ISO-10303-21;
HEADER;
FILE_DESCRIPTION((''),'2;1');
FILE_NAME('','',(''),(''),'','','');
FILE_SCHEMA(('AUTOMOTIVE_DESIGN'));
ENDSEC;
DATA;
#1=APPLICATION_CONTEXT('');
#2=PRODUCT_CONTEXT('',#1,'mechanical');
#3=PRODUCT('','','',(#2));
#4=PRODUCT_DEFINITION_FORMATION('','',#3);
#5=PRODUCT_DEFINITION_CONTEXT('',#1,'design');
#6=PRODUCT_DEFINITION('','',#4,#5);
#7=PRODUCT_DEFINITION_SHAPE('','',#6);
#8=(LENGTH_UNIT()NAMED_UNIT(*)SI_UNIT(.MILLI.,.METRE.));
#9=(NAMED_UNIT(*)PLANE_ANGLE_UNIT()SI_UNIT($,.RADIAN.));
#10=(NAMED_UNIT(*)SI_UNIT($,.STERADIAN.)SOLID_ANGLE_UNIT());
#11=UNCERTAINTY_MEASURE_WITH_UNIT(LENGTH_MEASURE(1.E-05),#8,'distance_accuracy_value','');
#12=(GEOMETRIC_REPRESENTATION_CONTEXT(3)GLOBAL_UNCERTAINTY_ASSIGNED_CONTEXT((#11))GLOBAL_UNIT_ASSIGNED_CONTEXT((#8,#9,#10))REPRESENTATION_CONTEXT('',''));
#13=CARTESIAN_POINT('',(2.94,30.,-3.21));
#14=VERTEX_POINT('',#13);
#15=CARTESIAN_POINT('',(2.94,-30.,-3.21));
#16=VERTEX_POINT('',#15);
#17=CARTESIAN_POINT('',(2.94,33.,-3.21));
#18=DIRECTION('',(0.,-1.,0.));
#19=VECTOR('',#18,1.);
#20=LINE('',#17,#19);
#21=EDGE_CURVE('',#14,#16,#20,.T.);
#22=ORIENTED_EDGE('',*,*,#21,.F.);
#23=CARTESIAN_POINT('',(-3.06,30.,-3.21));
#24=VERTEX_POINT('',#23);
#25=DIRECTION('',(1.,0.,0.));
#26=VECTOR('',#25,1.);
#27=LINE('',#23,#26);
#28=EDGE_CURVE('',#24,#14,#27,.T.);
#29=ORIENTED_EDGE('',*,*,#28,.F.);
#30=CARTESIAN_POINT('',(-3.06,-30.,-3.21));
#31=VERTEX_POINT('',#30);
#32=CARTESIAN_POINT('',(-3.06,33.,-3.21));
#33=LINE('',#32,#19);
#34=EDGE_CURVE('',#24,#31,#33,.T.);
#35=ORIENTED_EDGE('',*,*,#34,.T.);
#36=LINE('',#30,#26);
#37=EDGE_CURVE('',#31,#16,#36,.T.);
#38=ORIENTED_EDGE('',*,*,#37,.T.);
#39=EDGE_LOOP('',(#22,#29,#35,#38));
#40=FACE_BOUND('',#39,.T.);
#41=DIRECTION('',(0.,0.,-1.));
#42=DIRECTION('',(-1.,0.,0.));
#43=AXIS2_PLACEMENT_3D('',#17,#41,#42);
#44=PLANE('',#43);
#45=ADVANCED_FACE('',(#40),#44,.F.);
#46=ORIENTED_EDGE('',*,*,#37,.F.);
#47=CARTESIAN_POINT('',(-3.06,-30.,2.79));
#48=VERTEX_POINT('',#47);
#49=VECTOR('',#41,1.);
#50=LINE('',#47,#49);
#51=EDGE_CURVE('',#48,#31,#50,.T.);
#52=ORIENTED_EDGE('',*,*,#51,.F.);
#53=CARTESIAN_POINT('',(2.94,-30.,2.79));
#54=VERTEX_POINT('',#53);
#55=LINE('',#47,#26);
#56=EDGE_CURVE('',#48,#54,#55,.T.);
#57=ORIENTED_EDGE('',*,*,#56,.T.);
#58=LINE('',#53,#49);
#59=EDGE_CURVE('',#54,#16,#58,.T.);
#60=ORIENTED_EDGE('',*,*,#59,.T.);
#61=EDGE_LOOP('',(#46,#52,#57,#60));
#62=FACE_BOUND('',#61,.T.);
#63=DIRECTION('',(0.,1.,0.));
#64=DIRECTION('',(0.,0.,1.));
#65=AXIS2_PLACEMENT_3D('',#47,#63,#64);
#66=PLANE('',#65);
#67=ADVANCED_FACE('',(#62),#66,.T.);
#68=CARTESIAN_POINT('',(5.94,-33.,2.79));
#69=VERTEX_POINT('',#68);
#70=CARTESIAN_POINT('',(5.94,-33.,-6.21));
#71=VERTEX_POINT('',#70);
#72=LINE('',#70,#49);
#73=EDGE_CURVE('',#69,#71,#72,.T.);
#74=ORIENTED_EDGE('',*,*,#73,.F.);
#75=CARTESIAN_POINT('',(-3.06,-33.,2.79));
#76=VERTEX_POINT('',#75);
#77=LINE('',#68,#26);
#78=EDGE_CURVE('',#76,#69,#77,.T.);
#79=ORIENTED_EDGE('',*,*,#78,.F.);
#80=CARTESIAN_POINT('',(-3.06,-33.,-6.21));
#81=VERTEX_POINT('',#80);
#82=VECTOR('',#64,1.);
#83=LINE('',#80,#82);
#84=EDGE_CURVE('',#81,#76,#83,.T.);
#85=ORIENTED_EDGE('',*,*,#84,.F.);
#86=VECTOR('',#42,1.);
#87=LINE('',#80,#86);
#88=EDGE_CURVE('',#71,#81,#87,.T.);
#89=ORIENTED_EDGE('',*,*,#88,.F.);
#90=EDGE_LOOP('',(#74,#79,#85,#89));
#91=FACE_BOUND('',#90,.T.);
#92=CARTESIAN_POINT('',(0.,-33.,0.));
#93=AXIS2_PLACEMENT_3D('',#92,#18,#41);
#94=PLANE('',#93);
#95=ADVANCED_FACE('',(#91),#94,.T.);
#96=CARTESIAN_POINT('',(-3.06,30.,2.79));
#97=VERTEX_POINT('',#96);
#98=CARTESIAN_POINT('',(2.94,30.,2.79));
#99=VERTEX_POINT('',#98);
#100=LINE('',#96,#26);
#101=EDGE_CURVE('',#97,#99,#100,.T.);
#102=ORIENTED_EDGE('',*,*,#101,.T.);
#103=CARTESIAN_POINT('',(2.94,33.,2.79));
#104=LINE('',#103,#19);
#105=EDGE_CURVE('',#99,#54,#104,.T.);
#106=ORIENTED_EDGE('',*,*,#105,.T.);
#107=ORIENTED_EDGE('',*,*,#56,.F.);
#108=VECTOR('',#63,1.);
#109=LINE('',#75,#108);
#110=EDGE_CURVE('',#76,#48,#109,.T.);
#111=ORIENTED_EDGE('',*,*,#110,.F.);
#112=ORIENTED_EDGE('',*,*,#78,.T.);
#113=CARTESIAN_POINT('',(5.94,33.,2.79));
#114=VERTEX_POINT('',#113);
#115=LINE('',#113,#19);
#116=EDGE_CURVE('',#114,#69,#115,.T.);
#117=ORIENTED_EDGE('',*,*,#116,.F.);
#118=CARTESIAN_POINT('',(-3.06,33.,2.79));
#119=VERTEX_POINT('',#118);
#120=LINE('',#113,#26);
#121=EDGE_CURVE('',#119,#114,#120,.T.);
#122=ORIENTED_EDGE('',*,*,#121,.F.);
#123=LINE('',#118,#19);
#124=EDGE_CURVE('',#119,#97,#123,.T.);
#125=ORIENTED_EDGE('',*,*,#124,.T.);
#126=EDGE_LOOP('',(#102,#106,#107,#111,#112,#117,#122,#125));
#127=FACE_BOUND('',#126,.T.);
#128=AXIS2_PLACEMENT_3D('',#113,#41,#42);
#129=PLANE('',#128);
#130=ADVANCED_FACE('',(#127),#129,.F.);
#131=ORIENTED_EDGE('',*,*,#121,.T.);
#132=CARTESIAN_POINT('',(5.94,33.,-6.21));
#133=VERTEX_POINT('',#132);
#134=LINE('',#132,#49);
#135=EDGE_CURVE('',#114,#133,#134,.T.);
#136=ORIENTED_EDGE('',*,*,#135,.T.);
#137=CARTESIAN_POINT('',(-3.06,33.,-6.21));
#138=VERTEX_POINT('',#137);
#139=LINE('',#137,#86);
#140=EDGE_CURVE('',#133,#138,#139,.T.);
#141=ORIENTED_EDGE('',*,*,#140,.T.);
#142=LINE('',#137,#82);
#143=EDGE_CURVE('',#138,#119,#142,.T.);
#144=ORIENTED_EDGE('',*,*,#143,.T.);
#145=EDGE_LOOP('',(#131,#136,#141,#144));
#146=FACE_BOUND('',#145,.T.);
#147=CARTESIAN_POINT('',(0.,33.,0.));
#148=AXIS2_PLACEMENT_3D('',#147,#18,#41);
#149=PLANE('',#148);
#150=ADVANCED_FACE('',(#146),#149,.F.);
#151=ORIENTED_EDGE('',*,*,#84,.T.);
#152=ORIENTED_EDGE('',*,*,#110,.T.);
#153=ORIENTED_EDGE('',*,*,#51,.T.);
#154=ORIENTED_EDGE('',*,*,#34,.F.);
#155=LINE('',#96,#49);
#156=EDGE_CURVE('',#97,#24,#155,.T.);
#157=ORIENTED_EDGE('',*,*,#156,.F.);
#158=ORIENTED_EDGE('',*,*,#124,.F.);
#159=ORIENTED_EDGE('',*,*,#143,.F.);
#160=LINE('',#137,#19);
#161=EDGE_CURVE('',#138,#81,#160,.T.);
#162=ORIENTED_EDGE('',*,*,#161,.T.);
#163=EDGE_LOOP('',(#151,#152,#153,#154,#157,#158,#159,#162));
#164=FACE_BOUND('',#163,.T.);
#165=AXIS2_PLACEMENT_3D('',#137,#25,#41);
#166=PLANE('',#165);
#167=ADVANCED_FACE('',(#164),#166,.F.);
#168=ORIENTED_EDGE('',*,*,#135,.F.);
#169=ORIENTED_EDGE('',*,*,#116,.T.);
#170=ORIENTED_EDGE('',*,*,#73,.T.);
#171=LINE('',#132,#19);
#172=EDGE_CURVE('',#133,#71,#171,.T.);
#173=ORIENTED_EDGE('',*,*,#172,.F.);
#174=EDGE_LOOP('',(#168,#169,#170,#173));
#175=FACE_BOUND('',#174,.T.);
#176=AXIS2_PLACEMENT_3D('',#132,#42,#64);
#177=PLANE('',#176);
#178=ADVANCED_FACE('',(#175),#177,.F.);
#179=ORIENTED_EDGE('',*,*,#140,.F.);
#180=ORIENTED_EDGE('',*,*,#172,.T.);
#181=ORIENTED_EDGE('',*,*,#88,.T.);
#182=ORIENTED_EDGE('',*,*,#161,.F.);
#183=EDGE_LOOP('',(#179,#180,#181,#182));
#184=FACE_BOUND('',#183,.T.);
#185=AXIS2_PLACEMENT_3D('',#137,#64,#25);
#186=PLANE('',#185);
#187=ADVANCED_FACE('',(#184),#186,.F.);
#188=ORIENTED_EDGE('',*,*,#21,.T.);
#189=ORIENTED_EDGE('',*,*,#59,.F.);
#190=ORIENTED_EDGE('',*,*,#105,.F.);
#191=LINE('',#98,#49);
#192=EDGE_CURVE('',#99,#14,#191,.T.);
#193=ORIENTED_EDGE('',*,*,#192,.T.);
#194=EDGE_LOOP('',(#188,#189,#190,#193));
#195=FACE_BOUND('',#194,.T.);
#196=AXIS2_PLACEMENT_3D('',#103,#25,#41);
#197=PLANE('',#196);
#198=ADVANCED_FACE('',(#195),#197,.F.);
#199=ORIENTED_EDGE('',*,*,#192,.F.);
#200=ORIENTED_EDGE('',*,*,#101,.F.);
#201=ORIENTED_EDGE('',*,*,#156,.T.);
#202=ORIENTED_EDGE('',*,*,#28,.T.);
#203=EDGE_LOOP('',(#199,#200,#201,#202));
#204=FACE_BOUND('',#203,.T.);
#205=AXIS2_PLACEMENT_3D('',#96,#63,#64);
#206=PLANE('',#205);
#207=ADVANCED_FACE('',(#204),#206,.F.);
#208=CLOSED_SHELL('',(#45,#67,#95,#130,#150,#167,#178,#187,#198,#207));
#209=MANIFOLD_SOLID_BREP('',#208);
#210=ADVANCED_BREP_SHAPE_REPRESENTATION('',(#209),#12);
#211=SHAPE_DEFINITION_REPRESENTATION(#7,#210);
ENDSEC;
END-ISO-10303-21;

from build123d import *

# Parameters (mm, degrees)
SALIENTE_EXTRUIR1_DEPTH = 33
CROQUIS2_W              = 6
CROQUIS2_H              = 3
SALIENTE_EXTRUIR2_DEPTH = 6


with BuildPart() as part:
    # Croquis1 → Saliente-Extruir1 (new, symmetric)
    with BuildSketch(Plane(origin=(0, 0, 0), x_dir=(1, 0, 0), z_dir=(0, 1, 0))):
        Polygon((-3.06, 6.21), (5.94, 6.21), (5.94, -2.79), (2.94, -2.79), (2.94, 3.21), (-3.06, 3.21), align=None)
    extrude(amount=SALIENTE_EXTRUIR1_DEPTH, both=True)

    # Croquis2 → Saliente-Extruir2 (add, through all)
    with BuildSketch(Plane.XY.offset(-3.21)):
        with Locations((-0.06, 31.5)):
            Rectangle(CROQUIS2_W, CROQUIS2_H)
    saliente_extruir2 = extrude(amount=SALIENTE_EXTRUIR2_DEPTH)

    # Simetría1: Saliente-Extruir2 across plane
    add(saliente_extruir2.mirror(Plane.ZX))


solid = part.part
